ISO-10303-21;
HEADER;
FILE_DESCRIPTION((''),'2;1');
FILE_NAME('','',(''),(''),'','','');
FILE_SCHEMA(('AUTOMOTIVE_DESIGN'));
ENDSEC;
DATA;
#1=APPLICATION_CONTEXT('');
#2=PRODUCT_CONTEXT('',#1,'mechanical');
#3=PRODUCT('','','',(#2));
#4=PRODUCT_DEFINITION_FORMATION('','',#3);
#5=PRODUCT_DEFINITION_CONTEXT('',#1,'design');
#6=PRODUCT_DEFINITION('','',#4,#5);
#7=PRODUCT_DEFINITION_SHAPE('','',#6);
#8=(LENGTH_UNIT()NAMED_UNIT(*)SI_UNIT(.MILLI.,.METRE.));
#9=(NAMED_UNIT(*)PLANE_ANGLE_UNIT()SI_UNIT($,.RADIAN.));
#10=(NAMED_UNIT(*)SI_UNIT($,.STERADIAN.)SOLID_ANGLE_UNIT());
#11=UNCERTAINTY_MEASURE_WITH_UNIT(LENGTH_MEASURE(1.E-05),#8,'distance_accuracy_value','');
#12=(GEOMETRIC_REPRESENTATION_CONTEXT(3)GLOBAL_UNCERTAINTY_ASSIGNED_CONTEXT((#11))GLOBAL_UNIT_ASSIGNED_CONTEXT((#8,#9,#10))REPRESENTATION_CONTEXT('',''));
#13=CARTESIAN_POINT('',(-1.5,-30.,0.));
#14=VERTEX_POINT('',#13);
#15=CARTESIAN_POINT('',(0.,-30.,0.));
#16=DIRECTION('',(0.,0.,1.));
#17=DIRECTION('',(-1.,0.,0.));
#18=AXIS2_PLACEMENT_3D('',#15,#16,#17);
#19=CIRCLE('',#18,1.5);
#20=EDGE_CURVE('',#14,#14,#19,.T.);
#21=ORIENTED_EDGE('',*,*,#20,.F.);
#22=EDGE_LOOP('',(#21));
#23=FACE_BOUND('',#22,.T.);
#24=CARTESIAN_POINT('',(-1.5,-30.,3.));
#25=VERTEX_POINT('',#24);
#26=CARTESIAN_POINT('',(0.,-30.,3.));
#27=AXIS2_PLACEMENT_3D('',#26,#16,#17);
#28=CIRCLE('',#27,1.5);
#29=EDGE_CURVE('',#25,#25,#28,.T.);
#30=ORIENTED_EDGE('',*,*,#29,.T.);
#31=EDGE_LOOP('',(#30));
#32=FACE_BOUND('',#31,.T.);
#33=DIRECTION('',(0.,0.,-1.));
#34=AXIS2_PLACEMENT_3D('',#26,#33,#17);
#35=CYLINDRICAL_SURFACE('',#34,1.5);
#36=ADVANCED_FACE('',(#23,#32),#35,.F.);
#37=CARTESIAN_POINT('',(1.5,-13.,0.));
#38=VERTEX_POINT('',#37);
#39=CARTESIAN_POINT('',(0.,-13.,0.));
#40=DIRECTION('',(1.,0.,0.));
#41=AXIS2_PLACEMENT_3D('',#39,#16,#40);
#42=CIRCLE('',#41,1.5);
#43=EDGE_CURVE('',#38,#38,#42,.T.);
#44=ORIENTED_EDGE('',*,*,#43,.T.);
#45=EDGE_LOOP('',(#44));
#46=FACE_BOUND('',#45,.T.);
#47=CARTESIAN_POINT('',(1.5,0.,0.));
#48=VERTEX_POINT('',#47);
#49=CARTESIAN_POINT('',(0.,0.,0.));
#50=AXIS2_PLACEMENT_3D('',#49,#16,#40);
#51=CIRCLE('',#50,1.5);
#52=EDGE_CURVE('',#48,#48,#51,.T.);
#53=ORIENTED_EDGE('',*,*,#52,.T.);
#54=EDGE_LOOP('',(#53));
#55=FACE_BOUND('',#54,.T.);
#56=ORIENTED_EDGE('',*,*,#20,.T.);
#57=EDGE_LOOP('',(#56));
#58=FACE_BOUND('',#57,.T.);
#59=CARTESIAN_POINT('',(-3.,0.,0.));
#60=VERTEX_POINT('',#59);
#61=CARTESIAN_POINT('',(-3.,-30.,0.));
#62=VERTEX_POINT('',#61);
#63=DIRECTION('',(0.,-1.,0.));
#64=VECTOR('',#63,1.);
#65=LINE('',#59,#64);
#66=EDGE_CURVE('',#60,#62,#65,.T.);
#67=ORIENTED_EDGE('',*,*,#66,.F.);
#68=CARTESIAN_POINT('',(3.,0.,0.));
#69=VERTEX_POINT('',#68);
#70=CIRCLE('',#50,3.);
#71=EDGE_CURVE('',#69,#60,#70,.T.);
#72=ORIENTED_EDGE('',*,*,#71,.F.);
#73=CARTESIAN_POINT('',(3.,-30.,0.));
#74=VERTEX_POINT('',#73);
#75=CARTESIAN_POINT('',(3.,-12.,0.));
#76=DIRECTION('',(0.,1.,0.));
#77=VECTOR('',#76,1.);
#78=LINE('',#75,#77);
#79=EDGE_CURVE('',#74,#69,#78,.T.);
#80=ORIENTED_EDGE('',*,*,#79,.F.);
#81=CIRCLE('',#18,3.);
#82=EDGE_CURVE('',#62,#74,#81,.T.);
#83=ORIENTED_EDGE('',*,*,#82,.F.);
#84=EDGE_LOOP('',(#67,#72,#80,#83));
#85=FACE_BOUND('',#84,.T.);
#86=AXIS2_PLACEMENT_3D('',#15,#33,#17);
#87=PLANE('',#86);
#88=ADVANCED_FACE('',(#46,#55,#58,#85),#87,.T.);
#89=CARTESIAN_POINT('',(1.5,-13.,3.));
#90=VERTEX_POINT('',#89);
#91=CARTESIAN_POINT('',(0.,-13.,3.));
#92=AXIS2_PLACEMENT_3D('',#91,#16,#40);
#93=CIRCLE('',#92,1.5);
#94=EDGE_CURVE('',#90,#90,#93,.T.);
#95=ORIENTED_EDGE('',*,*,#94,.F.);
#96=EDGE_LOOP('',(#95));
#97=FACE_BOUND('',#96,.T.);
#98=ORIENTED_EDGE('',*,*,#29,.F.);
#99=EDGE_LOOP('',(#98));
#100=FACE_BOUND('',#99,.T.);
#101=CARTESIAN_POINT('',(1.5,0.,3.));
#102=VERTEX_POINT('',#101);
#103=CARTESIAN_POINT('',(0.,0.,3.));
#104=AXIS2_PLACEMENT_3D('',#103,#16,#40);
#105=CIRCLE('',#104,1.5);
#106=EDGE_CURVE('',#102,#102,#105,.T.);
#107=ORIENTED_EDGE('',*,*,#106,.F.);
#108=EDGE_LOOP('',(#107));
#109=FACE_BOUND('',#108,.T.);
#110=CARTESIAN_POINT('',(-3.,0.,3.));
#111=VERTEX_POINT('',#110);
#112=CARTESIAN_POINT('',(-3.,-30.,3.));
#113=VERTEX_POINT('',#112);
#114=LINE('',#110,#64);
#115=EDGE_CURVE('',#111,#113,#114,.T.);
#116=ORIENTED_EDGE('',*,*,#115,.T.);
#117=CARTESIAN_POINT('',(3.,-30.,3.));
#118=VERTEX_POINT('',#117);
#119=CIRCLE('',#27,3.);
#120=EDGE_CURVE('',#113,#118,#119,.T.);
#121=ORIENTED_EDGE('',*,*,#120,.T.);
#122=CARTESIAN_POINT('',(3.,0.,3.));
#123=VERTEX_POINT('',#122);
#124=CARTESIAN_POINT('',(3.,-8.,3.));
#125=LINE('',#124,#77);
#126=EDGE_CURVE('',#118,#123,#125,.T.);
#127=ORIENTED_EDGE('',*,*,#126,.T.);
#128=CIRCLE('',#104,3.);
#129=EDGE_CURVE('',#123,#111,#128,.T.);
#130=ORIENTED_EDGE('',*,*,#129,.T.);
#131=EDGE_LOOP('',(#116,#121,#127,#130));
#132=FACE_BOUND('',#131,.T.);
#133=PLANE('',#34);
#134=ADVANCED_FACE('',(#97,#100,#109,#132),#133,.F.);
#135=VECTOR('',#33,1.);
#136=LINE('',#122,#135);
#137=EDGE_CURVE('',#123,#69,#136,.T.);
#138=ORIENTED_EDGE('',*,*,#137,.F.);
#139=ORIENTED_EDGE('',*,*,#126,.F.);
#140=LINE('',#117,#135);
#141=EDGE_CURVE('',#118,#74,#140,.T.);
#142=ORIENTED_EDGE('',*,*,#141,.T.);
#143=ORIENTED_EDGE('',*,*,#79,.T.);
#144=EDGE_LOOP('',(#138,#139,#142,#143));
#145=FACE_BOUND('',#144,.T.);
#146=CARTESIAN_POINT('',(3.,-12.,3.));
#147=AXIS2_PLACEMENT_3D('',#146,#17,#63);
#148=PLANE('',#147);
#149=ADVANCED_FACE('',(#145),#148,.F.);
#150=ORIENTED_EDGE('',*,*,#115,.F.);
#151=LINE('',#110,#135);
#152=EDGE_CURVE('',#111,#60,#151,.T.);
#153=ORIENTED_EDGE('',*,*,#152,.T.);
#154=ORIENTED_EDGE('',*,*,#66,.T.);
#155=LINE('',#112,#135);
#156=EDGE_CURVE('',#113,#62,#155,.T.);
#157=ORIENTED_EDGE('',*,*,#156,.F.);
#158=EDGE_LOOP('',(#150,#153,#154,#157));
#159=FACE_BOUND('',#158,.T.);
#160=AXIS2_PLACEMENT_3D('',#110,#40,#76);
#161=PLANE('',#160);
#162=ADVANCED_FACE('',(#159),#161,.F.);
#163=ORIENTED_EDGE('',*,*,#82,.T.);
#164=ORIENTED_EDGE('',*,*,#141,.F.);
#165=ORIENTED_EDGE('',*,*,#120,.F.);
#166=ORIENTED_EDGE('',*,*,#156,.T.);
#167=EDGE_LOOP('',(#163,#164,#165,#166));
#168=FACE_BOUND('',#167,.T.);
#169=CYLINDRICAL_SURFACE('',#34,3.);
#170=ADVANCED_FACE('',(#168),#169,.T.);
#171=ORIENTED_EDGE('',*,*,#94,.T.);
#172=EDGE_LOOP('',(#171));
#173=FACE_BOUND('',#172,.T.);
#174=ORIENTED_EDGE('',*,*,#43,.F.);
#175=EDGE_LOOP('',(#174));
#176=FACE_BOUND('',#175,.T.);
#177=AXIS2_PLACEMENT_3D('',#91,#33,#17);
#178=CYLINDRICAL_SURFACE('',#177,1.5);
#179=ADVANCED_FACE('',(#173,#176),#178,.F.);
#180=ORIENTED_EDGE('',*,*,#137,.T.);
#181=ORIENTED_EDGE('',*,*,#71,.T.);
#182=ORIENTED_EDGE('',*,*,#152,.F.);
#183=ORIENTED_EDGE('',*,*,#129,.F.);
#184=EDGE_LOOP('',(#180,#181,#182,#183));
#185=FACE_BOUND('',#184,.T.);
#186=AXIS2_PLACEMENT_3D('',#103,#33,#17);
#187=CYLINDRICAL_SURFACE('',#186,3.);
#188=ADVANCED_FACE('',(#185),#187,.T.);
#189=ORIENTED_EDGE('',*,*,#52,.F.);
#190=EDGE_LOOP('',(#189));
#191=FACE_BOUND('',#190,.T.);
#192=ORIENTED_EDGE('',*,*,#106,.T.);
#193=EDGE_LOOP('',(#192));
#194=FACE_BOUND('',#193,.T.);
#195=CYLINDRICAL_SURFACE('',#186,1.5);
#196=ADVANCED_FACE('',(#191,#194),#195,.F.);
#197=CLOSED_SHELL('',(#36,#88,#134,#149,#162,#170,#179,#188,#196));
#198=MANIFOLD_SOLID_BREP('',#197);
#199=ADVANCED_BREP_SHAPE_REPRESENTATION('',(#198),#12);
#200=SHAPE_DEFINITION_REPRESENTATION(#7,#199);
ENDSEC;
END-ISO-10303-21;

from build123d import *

# Parameters (mm, degrees)
SKETCH_1_R      = 1.5
EXTRUDE_1_DEPTH = 3


with BuildPart() as part:
    # ｽｹｯﾁ1 → ﾎﾞｽ - 押し出し1 (new body)
    with BuildSketch(Plane.XY):
        with BuildLine():
            Line((-3, 0), (-3, -30))
            ThreePointArc((-3, -30), (0, -33), (3, -30))
            Line((3, -30), (3, -12))
            Line((3, -12), (3, -8))
            Line((3, -8), (3, 0))
            ThreePointArc((3, 0), (0, 3), (-3, 0))
        make_face()
        Circle(SKETCH_1_R, mode=Mode.SUBTRACT)
        with Locations(Location((0, -30, 0), (0, 0, 180))):
            Circle(SKETCH_1_R, mode=Mode.SUBTRACT)
        with Locations((0, -13)):
            Circle(SKETCH_1_R, mode=Mode.SUBTRACT)
    extrude(amount=EXTRUDE_1_DEPTH)


solid = part.part
